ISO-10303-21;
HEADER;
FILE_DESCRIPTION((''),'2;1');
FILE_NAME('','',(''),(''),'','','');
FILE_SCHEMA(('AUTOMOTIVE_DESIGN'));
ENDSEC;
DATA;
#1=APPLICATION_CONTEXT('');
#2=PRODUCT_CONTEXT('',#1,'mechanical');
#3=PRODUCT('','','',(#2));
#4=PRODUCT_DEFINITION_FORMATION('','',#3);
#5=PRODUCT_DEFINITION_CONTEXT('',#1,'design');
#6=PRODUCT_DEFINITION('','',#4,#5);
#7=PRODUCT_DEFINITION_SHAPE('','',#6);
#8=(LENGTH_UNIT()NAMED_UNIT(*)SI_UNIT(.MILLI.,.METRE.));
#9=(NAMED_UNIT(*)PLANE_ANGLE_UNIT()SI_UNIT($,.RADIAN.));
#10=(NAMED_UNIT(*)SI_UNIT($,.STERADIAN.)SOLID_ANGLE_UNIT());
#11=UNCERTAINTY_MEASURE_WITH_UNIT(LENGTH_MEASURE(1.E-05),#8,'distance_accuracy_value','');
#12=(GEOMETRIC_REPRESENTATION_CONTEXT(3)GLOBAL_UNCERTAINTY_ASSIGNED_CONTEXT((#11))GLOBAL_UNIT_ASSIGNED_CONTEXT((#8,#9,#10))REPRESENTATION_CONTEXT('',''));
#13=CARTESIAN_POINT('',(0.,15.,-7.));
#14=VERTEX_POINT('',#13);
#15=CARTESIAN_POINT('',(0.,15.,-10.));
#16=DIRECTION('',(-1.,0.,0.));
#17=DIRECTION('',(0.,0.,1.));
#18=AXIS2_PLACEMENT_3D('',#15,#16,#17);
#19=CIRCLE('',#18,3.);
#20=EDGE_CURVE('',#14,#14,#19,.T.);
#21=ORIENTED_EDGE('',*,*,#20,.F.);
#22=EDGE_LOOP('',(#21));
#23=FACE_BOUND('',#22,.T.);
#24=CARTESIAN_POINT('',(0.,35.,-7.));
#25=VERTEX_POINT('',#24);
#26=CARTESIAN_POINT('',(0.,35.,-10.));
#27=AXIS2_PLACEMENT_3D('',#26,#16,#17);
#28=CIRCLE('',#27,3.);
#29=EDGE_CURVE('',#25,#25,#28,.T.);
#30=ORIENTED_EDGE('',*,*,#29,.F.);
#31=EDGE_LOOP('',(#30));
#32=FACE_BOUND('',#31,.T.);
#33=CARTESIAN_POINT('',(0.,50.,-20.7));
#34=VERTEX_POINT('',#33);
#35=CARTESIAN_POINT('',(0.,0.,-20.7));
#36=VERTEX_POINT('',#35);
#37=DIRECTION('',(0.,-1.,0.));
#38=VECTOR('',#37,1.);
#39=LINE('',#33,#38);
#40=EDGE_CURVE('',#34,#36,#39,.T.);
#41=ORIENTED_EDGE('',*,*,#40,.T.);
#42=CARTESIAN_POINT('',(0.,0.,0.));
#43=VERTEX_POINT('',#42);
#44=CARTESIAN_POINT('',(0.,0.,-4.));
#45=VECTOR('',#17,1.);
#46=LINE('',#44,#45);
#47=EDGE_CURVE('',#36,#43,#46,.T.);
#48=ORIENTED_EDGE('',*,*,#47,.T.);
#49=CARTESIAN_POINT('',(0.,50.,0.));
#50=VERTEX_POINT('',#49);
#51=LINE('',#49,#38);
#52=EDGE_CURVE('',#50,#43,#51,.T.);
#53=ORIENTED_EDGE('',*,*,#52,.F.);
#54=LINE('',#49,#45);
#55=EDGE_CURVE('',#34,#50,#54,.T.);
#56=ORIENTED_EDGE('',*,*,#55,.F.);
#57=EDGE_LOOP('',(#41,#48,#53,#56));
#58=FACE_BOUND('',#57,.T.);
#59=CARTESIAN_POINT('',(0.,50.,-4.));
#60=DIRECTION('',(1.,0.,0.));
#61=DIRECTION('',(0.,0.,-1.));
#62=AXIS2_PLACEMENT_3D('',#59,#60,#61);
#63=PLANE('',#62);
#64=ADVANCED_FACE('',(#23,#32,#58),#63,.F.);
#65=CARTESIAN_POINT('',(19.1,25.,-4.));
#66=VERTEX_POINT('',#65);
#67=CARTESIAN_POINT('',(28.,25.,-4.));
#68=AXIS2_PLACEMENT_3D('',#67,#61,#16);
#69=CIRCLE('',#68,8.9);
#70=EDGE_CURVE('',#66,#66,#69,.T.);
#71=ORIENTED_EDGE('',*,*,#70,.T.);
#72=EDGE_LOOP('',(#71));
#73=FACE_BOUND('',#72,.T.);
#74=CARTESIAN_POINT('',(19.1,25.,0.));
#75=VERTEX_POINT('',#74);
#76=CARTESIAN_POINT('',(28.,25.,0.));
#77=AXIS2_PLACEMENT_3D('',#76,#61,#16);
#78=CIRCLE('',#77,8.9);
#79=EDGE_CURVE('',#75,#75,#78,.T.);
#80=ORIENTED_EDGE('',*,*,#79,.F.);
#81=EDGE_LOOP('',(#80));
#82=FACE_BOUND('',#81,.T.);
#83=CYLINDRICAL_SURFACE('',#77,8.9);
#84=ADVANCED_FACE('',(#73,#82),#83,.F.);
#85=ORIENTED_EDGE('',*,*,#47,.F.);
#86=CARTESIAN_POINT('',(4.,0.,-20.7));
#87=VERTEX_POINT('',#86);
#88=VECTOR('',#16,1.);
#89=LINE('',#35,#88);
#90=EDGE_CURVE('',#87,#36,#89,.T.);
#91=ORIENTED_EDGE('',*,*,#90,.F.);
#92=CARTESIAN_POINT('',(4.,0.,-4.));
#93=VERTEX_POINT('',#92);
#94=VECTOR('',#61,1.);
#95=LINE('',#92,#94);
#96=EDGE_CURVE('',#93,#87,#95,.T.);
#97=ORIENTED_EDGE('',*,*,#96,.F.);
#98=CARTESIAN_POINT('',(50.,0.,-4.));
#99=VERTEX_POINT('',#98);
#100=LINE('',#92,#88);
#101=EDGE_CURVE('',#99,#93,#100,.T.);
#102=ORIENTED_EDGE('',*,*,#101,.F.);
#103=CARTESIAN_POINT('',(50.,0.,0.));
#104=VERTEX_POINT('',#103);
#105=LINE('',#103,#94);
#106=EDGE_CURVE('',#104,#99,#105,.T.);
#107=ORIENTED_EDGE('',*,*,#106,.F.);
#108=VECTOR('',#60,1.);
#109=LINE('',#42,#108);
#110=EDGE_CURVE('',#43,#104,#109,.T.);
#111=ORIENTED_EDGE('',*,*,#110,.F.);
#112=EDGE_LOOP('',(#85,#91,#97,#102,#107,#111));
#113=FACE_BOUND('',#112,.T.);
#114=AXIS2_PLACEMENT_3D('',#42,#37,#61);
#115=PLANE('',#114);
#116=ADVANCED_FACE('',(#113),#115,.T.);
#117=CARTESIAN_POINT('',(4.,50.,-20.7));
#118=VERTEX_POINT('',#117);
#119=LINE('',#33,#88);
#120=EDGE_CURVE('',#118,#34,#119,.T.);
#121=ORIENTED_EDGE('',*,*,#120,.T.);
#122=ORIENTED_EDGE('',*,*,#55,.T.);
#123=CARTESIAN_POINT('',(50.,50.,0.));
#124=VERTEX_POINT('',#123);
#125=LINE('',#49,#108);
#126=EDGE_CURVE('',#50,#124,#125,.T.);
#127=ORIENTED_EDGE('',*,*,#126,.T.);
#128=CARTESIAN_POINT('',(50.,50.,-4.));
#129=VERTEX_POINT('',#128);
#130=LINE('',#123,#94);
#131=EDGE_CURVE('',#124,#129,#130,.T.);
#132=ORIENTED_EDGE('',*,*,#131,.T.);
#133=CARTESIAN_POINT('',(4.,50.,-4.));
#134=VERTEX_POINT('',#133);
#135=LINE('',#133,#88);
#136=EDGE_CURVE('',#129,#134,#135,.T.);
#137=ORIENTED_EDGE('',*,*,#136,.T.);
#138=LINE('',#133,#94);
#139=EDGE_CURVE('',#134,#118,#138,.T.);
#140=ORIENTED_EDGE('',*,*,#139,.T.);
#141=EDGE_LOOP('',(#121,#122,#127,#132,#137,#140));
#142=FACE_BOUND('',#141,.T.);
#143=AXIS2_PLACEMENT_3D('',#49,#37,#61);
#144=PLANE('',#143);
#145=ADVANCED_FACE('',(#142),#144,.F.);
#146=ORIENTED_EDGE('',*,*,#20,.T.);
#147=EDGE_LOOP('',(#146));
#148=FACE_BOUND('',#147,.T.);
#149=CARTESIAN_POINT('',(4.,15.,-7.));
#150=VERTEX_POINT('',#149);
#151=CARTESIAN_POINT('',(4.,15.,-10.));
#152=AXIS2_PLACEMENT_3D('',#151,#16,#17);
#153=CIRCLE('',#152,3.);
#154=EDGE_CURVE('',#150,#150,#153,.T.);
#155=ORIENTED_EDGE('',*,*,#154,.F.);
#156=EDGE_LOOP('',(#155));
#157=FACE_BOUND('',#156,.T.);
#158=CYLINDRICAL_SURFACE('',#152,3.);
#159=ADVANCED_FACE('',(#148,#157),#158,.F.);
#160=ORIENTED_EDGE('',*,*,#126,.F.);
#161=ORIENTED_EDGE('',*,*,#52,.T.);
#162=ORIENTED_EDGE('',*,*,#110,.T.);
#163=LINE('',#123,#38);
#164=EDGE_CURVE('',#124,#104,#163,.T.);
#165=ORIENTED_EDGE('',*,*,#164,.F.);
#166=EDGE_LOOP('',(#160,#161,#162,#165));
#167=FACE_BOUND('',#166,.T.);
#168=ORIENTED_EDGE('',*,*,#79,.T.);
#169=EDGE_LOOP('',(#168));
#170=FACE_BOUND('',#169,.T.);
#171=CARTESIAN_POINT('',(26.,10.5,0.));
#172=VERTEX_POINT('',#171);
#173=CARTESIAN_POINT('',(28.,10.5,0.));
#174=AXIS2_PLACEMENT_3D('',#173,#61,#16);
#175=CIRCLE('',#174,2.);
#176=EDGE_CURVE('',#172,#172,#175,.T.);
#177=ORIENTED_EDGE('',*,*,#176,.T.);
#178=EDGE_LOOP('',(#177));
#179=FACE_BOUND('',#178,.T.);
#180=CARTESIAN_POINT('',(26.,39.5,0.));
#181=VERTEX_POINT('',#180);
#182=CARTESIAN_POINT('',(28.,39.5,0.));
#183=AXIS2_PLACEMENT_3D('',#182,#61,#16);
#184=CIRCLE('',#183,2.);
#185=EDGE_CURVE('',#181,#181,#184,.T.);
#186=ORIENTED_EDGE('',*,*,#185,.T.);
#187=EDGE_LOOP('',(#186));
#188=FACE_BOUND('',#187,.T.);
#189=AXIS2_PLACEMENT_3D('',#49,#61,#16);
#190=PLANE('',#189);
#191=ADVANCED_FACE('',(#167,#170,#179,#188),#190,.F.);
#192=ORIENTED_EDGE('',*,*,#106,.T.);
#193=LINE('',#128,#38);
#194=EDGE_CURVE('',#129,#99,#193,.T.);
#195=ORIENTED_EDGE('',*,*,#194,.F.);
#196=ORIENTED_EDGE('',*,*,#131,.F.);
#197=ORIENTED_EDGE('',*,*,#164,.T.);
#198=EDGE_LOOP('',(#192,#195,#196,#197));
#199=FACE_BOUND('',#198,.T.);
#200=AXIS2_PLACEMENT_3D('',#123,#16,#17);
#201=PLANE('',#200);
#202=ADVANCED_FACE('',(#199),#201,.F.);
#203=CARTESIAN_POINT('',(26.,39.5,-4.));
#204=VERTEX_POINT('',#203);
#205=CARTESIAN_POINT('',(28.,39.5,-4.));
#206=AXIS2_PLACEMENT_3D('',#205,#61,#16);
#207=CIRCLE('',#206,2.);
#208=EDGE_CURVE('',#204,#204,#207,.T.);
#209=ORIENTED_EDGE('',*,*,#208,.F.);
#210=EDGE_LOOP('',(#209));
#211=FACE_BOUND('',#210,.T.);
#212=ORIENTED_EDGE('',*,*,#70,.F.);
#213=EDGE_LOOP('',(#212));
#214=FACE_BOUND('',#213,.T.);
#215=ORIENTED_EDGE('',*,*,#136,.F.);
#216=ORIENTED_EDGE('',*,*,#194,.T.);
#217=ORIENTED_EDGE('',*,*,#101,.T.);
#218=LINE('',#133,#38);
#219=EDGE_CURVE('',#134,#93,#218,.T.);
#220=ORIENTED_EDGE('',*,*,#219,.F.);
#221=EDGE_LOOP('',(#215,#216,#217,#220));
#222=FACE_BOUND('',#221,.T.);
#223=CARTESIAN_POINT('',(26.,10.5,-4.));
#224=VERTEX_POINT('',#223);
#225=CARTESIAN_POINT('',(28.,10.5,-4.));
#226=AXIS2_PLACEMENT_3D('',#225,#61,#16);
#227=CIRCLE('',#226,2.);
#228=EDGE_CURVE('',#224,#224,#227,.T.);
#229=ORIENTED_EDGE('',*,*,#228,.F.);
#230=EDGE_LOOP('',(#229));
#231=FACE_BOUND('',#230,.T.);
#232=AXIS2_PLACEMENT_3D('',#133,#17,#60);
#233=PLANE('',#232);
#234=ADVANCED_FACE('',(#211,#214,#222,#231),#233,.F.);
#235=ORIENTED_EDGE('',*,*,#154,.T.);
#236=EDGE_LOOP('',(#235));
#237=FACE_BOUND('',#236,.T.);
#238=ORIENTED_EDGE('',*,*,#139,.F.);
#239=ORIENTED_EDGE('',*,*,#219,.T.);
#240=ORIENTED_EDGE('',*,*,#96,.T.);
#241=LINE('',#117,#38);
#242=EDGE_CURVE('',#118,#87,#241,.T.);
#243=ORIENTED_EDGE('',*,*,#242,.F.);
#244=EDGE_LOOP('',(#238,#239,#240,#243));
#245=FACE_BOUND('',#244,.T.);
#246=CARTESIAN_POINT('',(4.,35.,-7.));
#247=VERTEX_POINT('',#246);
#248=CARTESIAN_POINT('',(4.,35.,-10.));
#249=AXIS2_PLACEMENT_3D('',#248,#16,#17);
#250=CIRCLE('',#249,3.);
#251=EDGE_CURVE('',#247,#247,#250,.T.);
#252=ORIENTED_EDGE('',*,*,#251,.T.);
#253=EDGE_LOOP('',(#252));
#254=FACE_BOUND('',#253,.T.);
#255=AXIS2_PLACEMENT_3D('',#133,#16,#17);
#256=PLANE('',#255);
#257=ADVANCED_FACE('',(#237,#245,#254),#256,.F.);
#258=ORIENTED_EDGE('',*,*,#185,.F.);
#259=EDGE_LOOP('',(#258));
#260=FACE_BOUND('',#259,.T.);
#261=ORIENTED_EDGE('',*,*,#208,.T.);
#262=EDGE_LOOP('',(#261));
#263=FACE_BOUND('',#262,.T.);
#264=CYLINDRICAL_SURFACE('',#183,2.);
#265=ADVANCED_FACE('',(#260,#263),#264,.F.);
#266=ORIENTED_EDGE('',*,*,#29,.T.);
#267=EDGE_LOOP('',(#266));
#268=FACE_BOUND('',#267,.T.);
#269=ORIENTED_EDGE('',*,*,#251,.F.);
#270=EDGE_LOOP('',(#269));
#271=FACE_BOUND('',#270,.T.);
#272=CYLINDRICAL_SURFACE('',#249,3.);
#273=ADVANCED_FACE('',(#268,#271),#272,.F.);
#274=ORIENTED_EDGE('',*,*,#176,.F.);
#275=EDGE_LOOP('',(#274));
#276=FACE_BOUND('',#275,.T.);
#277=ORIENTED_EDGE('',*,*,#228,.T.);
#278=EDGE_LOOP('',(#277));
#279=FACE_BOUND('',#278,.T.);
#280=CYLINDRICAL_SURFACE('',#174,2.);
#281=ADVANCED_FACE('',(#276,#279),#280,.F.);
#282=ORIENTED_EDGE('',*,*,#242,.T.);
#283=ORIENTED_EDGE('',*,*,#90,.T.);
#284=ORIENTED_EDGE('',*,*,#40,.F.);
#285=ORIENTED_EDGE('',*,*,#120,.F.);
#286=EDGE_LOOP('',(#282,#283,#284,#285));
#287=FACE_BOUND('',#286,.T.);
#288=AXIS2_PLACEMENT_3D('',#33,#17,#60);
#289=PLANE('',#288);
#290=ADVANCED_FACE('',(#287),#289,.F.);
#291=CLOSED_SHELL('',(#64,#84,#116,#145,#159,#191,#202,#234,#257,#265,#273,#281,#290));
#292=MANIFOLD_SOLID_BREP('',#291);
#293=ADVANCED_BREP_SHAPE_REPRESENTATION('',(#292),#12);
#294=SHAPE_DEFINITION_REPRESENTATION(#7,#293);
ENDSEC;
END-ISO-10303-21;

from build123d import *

# Parameters (mm, degrees)
EXTRUDE_1_DEPTH     = 50
SKETCH_2_R          = 3
CUT_EXTRUDE_1_DEPTH = 4
SKETCH_3_R          = 8.9
SKETCH_3_R_2        = 2
CUT_EXTRUDE_2_DEPTH = 4


with BuildPart() as part:
    # Эскиз1 → Бобышка-Вытянуть1 (new body)
    with BuildSketch(Plane(origin=(0, 0, 0), x_dir=(1, 0, 0), z_dir=(0, 1, 0))):
        Polygon((0, 0), (50, 0), (50, 4), (4, 4), (4, 20.7), (0, 20.7), (0, 4), align=None)
    extrude(amount=EXTRUDE_1_DEPTH)

    # Эскиз2 → Вырез-Вытянуть1 (cut)
    with BuildSketch(Plane.ZY):
        with Locations((-10, 35)):
            Circle(SKETCH_2_R)
        with Locations((-10, 15)):
            Circle(SKETCH_2_R)
    extrude(amount=-CUT_EXTRUDE_1_DEPTH, mode=Mode.SUBTRACT)

    # Эскиз3 → Вырез-Вытянуть2 (cut)
    with BuildSketch(Plane(origin=(0, 0, -4), x_dir=(-1, 0, 0), z_dir=(0, 0, -1))):
        with Locations((-28, 25)):
            Circle(SKETCH_3_R)
        with Locations((-28, 39.5)):
            Circle(SKETCH_3_R_2)
        with Locations((-28, 10.5)):
            Circle(SKETCH_3_R_2)
    extrude(amount=-CUT_EXTRUDE_2_DEPTH, mode=Mode.SUBTRACT)


solid = part.part
